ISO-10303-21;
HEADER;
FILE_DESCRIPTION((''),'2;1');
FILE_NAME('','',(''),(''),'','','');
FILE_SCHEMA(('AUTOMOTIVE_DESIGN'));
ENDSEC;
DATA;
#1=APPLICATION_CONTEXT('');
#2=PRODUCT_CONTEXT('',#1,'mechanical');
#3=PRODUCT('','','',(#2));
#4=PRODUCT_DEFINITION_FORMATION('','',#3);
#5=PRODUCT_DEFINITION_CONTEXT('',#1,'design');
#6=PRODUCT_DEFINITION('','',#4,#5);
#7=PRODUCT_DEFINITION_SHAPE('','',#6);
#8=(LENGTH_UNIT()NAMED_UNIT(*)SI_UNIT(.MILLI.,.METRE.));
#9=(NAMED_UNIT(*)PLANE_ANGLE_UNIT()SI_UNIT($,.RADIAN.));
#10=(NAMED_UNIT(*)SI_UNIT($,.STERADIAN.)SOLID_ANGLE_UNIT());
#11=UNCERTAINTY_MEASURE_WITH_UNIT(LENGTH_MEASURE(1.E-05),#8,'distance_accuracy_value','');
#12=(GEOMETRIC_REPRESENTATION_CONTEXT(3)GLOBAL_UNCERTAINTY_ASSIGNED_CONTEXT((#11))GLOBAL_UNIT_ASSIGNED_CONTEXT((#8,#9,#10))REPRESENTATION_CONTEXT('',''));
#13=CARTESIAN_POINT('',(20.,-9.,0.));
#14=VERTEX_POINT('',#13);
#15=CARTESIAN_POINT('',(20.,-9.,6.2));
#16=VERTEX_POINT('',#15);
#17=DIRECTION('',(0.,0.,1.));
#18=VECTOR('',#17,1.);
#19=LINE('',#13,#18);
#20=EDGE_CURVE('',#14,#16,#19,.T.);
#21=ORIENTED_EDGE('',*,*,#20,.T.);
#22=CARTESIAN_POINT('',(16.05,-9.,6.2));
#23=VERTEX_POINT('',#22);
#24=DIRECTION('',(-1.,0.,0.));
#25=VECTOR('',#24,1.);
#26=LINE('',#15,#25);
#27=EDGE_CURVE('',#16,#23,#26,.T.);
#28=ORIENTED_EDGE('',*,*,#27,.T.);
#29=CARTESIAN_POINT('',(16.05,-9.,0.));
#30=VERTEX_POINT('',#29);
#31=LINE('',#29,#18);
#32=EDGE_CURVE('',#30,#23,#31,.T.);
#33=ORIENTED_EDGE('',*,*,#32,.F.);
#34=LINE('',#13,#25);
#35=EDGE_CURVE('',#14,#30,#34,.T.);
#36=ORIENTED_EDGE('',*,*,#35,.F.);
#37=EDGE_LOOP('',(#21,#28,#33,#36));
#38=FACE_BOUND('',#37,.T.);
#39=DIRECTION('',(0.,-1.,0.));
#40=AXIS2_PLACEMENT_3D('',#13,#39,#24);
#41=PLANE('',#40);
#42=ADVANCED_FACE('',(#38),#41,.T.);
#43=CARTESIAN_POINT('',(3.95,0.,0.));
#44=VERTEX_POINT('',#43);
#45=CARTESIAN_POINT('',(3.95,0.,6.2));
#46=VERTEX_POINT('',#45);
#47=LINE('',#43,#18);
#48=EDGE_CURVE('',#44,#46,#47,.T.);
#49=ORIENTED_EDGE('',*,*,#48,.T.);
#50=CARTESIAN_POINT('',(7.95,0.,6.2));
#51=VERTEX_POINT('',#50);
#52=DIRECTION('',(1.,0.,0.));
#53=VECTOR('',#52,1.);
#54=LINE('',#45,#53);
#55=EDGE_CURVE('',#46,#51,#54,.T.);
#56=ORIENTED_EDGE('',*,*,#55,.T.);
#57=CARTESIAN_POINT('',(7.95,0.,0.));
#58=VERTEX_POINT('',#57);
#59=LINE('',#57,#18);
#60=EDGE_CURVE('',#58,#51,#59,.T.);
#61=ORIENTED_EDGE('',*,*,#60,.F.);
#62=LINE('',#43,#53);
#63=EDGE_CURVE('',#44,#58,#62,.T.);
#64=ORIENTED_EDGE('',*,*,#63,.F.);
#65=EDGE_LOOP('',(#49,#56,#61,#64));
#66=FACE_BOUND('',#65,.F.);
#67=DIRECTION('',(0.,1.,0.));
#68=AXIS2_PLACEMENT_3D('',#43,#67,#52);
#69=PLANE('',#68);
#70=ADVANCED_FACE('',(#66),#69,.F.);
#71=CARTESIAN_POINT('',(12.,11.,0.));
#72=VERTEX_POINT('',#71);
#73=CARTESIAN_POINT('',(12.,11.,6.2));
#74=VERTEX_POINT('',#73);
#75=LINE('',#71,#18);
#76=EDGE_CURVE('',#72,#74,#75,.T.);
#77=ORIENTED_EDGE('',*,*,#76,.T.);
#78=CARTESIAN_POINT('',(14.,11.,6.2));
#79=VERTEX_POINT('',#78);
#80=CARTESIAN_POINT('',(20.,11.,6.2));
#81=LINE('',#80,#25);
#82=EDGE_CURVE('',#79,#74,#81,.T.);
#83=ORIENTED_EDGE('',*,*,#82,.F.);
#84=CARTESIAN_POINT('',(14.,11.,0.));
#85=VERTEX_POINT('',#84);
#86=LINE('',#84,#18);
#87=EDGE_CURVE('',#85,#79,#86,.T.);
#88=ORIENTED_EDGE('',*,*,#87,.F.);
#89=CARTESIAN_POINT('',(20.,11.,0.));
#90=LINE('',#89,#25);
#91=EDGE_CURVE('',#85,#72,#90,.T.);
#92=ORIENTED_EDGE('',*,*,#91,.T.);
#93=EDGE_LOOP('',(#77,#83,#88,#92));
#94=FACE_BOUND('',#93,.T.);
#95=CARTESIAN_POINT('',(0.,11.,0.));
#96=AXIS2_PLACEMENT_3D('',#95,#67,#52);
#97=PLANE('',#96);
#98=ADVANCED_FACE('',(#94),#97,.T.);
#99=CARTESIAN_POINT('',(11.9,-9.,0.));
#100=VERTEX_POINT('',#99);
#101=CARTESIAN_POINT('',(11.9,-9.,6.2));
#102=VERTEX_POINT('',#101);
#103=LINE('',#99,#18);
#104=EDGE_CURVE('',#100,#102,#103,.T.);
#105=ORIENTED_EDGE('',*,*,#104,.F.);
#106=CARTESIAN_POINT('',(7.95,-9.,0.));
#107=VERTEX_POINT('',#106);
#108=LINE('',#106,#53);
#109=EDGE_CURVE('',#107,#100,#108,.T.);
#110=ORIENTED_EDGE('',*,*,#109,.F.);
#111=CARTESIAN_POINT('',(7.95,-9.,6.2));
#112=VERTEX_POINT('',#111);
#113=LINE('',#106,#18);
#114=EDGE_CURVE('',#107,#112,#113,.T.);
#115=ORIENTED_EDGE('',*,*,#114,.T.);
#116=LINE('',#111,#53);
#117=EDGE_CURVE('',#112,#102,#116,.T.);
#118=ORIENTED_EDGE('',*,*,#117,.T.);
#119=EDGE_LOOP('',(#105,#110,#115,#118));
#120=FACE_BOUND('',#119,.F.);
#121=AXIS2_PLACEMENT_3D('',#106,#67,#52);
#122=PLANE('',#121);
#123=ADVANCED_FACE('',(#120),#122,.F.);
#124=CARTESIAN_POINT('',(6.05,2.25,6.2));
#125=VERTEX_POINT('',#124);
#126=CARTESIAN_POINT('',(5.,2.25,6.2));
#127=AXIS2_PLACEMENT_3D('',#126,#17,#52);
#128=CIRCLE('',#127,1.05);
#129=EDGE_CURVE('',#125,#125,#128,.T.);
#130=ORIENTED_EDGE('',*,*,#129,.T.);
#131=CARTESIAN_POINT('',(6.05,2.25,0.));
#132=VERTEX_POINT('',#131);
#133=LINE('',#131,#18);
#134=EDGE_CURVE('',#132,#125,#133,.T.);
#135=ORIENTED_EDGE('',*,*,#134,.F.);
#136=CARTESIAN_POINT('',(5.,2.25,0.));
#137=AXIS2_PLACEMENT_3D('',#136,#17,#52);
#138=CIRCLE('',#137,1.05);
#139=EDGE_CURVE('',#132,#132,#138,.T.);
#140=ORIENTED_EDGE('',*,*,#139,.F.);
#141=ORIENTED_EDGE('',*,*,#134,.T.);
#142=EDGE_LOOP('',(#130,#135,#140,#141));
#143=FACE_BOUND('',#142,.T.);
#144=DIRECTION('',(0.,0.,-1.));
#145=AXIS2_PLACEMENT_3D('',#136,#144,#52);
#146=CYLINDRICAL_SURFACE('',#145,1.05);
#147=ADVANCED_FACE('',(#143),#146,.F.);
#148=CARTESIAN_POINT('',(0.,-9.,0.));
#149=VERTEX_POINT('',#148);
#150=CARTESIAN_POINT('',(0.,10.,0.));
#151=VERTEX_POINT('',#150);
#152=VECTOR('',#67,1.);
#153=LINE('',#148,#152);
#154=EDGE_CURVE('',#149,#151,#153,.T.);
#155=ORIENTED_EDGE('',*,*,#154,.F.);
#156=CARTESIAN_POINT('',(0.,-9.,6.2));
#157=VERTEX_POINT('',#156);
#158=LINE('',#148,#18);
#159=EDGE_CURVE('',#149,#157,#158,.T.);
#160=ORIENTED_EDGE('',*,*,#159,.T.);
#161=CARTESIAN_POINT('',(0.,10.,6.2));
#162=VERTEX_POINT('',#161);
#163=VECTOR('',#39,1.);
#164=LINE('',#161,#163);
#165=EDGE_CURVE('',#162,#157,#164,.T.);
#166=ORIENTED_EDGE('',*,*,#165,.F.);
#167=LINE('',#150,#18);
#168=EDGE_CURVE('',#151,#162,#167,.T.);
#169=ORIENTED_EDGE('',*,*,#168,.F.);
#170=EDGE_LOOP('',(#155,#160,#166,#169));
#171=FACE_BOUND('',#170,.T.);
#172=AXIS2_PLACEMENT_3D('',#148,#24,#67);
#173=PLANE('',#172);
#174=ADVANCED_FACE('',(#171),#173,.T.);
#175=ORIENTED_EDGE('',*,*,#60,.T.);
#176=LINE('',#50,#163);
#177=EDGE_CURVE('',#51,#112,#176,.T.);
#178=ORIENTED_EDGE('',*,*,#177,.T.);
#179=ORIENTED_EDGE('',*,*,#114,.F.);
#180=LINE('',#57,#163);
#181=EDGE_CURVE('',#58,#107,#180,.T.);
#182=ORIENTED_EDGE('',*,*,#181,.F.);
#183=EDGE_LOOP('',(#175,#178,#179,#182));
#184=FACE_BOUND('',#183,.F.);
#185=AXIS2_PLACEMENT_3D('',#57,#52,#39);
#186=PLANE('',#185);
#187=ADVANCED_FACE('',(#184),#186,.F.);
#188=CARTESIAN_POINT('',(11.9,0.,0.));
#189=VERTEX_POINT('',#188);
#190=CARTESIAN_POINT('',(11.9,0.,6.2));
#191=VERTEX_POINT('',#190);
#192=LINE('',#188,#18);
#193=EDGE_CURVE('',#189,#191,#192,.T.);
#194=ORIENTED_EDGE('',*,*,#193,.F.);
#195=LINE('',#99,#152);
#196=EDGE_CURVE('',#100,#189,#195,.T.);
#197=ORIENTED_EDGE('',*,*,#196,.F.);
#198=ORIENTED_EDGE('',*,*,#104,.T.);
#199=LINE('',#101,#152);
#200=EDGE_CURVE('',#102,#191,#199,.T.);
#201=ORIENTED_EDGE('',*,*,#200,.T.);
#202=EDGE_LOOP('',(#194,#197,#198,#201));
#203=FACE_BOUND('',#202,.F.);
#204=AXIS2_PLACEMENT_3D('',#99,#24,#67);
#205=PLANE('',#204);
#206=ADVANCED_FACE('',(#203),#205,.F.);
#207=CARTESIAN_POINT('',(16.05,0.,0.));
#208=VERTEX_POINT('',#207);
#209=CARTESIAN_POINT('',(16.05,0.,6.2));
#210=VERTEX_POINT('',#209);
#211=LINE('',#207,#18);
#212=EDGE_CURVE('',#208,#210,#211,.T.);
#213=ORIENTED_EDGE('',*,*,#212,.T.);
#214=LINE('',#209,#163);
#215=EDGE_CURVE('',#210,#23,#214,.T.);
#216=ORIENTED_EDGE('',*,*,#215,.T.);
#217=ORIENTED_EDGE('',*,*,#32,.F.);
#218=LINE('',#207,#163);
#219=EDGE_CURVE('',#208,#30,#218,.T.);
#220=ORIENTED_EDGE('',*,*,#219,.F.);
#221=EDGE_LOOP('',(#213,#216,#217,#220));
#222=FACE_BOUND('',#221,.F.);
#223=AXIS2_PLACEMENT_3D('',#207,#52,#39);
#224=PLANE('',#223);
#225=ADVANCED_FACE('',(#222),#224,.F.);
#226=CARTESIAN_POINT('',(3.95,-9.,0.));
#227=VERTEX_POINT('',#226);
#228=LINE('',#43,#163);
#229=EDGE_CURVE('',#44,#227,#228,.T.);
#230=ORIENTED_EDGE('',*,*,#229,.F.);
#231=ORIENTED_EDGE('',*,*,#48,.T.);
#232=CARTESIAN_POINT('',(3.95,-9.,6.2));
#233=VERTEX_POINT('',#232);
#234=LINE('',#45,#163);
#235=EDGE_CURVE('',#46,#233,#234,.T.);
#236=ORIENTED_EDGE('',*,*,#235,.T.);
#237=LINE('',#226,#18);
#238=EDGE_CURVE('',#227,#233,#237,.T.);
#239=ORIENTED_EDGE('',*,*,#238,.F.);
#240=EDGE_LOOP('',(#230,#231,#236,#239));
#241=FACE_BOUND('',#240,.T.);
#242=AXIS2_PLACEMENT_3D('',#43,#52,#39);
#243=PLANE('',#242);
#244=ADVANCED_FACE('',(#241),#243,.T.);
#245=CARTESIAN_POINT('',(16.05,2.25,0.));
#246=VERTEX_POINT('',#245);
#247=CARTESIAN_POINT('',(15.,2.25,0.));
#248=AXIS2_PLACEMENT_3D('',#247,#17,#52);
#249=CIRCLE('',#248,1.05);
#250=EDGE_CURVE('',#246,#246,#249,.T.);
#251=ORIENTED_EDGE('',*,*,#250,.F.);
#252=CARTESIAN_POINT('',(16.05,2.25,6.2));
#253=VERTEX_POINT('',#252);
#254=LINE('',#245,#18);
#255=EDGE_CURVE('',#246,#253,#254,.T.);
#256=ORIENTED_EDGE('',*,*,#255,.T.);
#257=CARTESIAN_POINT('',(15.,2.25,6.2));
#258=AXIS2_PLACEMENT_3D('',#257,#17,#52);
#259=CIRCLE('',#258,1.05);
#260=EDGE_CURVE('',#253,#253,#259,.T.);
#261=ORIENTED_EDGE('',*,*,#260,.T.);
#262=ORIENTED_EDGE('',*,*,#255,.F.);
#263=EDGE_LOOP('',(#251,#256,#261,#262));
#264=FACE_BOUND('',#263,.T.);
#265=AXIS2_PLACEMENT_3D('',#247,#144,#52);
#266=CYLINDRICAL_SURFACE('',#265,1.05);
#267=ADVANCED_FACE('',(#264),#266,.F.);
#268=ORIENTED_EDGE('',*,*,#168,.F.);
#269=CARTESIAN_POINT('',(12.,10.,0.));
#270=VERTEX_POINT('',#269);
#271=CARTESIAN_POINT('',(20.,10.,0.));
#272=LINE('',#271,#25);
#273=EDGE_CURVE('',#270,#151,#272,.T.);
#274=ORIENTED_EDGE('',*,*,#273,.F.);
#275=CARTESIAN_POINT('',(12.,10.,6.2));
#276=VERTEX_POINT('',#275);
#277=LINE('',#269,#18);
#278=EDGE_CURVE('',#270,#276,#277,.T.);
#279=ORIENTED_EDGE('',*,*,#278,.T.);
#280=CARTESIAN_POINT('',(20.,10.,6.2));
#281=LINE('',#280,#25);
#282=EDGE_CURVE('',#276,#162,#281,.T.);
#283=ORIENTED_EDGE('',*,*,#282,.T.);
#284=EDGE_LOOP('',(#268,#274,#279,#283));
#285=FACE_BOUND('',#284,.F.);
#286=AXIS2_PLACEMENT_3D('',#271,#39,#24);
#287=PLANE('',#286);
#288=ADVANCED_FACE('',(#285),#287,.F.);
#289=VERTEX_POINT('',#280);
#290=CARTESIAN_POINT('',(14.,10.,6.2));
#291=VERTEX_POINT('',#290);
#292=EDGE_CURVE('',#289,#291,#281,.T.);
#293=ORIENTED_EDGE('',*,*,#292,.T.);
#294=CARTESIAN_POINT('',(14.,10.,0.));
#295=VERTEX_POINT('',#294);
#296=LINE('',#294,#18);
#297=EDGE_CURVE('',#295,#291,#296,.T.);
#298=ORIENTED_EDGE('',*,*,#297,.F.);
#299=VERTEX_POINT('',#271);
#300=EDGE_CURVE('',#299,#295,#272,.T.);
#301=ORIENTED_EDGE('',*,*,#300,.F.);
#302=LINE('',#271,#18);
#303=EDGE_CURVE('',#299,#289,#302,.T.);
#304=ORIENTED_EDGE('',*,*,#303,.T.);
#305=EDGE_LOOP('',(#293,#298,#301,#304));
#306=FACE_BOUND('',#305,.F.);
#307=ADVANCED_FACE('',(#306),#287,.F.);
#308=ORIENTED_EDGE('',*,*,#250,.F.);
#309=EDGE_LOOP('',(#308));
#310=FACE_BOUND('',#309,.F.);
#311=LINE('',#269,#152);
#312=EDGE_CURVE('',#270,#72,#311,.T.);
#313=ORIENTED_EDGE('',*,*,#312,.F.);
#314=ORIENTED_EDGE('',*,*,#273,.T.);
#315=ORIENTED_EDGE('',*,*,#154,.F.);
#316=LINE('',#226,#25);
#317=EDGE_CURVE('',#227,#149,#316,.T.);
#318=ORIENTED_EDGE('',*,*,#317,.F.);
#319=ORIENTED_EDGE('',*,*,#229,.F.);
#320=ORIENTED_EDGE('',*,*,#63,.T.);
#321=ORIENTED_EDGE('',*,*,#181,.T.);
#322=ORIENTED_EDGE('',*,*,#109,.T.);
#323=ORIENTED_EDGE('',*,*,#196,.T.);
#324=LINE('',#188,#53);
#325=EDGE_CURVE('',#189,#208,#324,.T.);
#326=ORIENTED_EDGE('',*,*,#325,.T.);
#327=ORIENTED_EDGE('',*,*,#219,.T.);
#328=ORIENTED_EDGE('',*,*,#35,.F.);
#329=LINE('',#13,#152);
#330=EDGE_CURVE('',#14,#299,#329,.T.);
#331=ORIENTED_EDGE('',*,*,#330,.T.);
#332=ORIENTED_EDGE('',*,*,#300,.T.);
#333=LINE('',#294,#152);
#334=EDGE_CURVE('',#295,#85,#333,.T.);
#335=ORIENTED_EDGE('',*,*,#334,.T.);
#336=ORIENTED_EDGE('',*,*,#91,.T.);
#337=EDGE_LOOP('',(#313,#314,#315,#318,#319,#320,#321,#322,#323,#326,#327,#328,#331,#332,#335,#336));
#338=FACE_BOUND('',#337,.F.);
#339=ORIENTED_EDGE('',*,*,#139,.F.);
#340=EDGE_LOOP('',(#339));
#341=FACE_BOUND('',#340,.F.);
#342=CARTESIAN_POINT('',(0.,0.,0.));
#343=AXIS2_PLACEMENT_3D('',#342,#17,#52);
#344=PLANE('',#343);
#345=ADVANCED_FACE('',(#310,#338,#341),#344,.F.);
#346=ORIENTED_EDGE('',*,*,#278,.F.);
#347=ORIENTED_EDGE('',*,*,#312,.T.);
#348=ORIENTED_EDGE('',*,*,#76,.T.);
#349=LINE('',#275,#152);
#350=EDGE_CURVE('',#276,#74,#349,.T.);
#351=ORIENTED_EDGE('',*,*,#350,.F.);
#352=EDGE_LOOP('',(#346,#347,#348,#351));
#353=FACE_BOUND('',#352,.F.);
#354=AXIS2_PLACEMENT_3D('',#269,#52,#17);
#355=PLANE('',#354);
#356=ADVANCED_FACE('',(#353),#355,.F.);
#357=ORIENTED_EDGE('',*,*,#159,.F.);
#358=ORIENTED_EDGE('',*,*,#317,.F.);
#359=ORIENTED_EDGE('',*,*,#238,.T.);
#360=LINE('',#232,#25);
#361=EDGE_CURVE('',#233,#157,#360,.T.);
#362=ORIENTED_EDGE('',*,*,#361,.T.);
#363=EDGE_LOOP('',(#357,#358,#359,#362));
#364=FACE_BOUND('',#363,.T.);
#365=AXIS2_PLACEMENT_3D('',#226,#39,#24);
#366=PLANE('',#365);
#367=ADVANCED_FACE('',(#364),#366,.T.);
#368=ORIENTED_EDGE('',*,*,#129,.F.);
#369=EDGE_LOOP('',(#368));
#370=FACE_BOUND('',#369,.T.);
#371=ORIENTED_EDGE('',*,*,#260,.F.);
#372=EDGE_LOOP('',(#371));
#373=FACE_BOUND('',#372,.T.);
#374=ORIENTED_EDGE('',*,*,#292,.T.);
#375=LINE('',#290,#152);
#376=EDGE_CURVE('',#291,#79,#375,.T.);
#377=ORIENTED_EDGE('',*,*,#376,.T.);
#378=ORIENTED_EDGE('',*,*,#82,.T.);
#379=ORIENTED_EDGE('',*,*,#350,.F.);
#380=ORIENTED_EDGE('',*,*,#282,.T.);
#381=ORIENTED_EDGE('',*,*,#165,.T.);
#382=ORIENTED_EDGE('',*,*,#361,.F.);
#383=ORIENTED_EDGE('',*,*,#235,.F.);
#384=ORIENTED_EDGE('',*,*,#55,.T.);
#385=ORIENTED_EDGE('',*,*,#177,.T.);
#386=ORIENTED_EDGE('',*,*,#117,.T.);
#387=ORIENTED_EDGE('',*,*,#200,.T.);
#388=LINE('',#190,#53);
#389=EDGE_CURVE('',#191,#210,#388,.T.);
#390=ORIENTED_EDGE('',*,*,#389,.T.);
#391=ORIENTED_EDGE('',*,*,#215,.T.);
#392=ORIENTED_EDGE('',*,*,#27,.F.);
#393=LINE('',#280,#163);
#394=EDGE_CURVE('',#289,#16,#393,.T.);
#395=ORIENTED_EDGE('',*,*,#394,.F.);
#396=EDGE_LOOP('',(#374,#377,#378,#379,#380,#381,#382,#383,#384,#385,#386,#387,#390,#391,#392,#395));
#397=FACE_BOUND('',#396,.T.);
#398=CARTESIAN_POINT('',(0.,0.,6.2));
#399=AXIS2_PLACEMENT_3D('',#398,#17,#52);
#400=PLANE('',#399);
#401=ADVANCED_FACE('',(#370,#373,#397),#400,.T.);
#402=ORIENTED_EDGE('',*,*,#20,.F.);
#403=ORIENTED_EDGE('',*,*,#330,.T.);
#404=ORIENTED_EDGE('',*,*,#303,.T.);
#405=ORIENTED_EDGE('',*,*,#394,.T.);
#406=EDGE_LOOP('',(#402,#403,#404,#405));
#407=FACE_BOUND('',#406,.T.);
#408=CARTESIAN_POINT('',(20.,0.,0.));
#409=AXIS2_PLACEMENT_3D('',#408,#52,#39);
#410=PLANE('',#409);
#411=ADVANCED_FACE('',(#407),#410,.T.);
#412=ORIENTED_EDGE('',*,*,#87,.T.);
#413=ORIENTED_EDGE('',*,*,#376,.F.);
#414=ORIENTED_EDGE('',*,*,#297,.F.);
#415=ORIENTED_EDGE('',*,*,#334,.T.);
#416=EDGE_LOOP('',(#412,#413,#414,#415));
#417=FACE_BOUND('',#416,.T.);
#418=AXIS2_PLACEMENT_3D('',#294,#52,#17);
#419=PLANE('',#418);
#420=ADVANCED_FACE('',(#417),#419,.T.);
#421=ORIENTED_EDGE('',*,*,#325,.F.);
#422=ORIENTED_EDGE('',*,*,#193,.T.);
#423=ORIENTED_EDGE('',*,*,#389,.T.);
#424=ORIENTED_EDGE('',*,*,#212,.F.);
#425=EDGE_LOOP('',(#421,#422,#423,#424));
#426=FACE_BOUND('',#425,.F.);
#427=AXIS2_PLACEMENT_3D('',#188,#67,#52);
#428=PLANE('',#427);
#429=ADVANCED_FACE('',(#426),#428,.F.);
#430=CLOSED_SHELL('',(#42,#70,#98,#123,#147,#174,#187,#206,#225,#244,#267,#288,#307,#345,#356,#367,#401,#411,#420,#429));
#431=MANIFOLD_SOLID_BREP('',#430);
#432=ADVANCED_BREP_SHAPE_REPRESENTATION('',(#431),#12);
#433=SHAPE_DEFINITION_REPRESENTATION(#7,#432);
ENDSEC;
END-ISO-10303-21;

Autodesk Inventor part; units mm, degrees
ref_plane "YZ Plane" through (0, 0, 0) normal (1, 0, 0) x (0, 1, 0)
ref_plane "XZ Plane" through (0, 0, 0) normal (0, 1, 0) x (-1, 0, 0)
ref_plane "XY Plane" through (0, 0, 0) normal (0, 0, 1) x (1, 0, 0)
sketch "Sketch1" plane through (0, 0, 0) normal (0, 0, 1) x (1, 0, 0)
  line L0 (20, 0) -> (20, 10)
  line L1 (20, 10) -> (0, 10)
  line L2 (0, 10) -> (0, 0)
  circle A0 centre (5, 2.25) radius 1.05
  circle A1 centre (15, 2.25) radius 1.05
  line L3 (20, 0) -> (20, -9)
  line L4 (0, -9) -> (0, 0)
  line L5 (3.95, 0) -> (3.95, -9)
  line L6 (16.05, 0) -> (16.05, -9)
  line L7 (7.95, 0) -> (7.95, -9)
  line L8 (7.95, -9) -> (11.9, -9)
  line L9 (11.9, -9) -> (11.9, 0)
  line L10 (3.95, 0) -> (7.95, 0)
  line L11 (11.9, 0) -> (16.05, 0)
  line L12 (3.95, 0) -> (7.95, 0)
  line L13 (11.9, 0) -> (16.05, 0)
  line L14 (3.95, -9) -> (0, -9)
  line L15 (20, -9) -> (16.05, -9)
  line L16 (11.9, -9) -> (7.95, -9)
  line L17 (0, -9) -> (0, 10)
  line L18 (20, 10) -> (0, 10)
  line L19 (20, 10) -> (20, -9)
  line L20 (20, -9) -> (16.05, -9)
  line L21 (16.05, -9) -> (16.05, 0)
  line L22 (16.05, 0) -> (11.9, 0)
  line L23 (11.9, -9) -> (7.95, -9)
  line L24 (7.95, -9) -> (7.95, 0)
  line L25 (7.95, 0) -> (3.95, 0)
  dimension "d0" = 20
  dimension "d1" = 10
  dimension "d2" = 2.1
  dimension "d3" = 2.1
  dimension "d4" = 5
  dimension "d5" = 5
  dimension "d12" = 9
  dimension "d13" = 3.95
  dimension "d14" = 4
extrude "Extrusion3" add sketch "Sketch1" along normal blind 6.2
sketch "Sketch3" plane through (0, 10, 0) normal (0, 1, 0) x (1, 0, 0)
  line L0 (20, 0) -> (0, 0) projected
  line L1 (20, -6.2) -> (0, -6.2) projected
  line L2 (20, 0) -> (20, -6.2) projected
  line L3 (14, 0) -> (14, -6.2)
  line L4 (12, 0) -> (12, -6.2)
  dimension "d17" = 6
  dimension "d18" = 2
extrude "Extrusion4" add sketch "Sketch3" along normal blind 1 contours L3 L1 L4 L0
properties part number "endstop"
